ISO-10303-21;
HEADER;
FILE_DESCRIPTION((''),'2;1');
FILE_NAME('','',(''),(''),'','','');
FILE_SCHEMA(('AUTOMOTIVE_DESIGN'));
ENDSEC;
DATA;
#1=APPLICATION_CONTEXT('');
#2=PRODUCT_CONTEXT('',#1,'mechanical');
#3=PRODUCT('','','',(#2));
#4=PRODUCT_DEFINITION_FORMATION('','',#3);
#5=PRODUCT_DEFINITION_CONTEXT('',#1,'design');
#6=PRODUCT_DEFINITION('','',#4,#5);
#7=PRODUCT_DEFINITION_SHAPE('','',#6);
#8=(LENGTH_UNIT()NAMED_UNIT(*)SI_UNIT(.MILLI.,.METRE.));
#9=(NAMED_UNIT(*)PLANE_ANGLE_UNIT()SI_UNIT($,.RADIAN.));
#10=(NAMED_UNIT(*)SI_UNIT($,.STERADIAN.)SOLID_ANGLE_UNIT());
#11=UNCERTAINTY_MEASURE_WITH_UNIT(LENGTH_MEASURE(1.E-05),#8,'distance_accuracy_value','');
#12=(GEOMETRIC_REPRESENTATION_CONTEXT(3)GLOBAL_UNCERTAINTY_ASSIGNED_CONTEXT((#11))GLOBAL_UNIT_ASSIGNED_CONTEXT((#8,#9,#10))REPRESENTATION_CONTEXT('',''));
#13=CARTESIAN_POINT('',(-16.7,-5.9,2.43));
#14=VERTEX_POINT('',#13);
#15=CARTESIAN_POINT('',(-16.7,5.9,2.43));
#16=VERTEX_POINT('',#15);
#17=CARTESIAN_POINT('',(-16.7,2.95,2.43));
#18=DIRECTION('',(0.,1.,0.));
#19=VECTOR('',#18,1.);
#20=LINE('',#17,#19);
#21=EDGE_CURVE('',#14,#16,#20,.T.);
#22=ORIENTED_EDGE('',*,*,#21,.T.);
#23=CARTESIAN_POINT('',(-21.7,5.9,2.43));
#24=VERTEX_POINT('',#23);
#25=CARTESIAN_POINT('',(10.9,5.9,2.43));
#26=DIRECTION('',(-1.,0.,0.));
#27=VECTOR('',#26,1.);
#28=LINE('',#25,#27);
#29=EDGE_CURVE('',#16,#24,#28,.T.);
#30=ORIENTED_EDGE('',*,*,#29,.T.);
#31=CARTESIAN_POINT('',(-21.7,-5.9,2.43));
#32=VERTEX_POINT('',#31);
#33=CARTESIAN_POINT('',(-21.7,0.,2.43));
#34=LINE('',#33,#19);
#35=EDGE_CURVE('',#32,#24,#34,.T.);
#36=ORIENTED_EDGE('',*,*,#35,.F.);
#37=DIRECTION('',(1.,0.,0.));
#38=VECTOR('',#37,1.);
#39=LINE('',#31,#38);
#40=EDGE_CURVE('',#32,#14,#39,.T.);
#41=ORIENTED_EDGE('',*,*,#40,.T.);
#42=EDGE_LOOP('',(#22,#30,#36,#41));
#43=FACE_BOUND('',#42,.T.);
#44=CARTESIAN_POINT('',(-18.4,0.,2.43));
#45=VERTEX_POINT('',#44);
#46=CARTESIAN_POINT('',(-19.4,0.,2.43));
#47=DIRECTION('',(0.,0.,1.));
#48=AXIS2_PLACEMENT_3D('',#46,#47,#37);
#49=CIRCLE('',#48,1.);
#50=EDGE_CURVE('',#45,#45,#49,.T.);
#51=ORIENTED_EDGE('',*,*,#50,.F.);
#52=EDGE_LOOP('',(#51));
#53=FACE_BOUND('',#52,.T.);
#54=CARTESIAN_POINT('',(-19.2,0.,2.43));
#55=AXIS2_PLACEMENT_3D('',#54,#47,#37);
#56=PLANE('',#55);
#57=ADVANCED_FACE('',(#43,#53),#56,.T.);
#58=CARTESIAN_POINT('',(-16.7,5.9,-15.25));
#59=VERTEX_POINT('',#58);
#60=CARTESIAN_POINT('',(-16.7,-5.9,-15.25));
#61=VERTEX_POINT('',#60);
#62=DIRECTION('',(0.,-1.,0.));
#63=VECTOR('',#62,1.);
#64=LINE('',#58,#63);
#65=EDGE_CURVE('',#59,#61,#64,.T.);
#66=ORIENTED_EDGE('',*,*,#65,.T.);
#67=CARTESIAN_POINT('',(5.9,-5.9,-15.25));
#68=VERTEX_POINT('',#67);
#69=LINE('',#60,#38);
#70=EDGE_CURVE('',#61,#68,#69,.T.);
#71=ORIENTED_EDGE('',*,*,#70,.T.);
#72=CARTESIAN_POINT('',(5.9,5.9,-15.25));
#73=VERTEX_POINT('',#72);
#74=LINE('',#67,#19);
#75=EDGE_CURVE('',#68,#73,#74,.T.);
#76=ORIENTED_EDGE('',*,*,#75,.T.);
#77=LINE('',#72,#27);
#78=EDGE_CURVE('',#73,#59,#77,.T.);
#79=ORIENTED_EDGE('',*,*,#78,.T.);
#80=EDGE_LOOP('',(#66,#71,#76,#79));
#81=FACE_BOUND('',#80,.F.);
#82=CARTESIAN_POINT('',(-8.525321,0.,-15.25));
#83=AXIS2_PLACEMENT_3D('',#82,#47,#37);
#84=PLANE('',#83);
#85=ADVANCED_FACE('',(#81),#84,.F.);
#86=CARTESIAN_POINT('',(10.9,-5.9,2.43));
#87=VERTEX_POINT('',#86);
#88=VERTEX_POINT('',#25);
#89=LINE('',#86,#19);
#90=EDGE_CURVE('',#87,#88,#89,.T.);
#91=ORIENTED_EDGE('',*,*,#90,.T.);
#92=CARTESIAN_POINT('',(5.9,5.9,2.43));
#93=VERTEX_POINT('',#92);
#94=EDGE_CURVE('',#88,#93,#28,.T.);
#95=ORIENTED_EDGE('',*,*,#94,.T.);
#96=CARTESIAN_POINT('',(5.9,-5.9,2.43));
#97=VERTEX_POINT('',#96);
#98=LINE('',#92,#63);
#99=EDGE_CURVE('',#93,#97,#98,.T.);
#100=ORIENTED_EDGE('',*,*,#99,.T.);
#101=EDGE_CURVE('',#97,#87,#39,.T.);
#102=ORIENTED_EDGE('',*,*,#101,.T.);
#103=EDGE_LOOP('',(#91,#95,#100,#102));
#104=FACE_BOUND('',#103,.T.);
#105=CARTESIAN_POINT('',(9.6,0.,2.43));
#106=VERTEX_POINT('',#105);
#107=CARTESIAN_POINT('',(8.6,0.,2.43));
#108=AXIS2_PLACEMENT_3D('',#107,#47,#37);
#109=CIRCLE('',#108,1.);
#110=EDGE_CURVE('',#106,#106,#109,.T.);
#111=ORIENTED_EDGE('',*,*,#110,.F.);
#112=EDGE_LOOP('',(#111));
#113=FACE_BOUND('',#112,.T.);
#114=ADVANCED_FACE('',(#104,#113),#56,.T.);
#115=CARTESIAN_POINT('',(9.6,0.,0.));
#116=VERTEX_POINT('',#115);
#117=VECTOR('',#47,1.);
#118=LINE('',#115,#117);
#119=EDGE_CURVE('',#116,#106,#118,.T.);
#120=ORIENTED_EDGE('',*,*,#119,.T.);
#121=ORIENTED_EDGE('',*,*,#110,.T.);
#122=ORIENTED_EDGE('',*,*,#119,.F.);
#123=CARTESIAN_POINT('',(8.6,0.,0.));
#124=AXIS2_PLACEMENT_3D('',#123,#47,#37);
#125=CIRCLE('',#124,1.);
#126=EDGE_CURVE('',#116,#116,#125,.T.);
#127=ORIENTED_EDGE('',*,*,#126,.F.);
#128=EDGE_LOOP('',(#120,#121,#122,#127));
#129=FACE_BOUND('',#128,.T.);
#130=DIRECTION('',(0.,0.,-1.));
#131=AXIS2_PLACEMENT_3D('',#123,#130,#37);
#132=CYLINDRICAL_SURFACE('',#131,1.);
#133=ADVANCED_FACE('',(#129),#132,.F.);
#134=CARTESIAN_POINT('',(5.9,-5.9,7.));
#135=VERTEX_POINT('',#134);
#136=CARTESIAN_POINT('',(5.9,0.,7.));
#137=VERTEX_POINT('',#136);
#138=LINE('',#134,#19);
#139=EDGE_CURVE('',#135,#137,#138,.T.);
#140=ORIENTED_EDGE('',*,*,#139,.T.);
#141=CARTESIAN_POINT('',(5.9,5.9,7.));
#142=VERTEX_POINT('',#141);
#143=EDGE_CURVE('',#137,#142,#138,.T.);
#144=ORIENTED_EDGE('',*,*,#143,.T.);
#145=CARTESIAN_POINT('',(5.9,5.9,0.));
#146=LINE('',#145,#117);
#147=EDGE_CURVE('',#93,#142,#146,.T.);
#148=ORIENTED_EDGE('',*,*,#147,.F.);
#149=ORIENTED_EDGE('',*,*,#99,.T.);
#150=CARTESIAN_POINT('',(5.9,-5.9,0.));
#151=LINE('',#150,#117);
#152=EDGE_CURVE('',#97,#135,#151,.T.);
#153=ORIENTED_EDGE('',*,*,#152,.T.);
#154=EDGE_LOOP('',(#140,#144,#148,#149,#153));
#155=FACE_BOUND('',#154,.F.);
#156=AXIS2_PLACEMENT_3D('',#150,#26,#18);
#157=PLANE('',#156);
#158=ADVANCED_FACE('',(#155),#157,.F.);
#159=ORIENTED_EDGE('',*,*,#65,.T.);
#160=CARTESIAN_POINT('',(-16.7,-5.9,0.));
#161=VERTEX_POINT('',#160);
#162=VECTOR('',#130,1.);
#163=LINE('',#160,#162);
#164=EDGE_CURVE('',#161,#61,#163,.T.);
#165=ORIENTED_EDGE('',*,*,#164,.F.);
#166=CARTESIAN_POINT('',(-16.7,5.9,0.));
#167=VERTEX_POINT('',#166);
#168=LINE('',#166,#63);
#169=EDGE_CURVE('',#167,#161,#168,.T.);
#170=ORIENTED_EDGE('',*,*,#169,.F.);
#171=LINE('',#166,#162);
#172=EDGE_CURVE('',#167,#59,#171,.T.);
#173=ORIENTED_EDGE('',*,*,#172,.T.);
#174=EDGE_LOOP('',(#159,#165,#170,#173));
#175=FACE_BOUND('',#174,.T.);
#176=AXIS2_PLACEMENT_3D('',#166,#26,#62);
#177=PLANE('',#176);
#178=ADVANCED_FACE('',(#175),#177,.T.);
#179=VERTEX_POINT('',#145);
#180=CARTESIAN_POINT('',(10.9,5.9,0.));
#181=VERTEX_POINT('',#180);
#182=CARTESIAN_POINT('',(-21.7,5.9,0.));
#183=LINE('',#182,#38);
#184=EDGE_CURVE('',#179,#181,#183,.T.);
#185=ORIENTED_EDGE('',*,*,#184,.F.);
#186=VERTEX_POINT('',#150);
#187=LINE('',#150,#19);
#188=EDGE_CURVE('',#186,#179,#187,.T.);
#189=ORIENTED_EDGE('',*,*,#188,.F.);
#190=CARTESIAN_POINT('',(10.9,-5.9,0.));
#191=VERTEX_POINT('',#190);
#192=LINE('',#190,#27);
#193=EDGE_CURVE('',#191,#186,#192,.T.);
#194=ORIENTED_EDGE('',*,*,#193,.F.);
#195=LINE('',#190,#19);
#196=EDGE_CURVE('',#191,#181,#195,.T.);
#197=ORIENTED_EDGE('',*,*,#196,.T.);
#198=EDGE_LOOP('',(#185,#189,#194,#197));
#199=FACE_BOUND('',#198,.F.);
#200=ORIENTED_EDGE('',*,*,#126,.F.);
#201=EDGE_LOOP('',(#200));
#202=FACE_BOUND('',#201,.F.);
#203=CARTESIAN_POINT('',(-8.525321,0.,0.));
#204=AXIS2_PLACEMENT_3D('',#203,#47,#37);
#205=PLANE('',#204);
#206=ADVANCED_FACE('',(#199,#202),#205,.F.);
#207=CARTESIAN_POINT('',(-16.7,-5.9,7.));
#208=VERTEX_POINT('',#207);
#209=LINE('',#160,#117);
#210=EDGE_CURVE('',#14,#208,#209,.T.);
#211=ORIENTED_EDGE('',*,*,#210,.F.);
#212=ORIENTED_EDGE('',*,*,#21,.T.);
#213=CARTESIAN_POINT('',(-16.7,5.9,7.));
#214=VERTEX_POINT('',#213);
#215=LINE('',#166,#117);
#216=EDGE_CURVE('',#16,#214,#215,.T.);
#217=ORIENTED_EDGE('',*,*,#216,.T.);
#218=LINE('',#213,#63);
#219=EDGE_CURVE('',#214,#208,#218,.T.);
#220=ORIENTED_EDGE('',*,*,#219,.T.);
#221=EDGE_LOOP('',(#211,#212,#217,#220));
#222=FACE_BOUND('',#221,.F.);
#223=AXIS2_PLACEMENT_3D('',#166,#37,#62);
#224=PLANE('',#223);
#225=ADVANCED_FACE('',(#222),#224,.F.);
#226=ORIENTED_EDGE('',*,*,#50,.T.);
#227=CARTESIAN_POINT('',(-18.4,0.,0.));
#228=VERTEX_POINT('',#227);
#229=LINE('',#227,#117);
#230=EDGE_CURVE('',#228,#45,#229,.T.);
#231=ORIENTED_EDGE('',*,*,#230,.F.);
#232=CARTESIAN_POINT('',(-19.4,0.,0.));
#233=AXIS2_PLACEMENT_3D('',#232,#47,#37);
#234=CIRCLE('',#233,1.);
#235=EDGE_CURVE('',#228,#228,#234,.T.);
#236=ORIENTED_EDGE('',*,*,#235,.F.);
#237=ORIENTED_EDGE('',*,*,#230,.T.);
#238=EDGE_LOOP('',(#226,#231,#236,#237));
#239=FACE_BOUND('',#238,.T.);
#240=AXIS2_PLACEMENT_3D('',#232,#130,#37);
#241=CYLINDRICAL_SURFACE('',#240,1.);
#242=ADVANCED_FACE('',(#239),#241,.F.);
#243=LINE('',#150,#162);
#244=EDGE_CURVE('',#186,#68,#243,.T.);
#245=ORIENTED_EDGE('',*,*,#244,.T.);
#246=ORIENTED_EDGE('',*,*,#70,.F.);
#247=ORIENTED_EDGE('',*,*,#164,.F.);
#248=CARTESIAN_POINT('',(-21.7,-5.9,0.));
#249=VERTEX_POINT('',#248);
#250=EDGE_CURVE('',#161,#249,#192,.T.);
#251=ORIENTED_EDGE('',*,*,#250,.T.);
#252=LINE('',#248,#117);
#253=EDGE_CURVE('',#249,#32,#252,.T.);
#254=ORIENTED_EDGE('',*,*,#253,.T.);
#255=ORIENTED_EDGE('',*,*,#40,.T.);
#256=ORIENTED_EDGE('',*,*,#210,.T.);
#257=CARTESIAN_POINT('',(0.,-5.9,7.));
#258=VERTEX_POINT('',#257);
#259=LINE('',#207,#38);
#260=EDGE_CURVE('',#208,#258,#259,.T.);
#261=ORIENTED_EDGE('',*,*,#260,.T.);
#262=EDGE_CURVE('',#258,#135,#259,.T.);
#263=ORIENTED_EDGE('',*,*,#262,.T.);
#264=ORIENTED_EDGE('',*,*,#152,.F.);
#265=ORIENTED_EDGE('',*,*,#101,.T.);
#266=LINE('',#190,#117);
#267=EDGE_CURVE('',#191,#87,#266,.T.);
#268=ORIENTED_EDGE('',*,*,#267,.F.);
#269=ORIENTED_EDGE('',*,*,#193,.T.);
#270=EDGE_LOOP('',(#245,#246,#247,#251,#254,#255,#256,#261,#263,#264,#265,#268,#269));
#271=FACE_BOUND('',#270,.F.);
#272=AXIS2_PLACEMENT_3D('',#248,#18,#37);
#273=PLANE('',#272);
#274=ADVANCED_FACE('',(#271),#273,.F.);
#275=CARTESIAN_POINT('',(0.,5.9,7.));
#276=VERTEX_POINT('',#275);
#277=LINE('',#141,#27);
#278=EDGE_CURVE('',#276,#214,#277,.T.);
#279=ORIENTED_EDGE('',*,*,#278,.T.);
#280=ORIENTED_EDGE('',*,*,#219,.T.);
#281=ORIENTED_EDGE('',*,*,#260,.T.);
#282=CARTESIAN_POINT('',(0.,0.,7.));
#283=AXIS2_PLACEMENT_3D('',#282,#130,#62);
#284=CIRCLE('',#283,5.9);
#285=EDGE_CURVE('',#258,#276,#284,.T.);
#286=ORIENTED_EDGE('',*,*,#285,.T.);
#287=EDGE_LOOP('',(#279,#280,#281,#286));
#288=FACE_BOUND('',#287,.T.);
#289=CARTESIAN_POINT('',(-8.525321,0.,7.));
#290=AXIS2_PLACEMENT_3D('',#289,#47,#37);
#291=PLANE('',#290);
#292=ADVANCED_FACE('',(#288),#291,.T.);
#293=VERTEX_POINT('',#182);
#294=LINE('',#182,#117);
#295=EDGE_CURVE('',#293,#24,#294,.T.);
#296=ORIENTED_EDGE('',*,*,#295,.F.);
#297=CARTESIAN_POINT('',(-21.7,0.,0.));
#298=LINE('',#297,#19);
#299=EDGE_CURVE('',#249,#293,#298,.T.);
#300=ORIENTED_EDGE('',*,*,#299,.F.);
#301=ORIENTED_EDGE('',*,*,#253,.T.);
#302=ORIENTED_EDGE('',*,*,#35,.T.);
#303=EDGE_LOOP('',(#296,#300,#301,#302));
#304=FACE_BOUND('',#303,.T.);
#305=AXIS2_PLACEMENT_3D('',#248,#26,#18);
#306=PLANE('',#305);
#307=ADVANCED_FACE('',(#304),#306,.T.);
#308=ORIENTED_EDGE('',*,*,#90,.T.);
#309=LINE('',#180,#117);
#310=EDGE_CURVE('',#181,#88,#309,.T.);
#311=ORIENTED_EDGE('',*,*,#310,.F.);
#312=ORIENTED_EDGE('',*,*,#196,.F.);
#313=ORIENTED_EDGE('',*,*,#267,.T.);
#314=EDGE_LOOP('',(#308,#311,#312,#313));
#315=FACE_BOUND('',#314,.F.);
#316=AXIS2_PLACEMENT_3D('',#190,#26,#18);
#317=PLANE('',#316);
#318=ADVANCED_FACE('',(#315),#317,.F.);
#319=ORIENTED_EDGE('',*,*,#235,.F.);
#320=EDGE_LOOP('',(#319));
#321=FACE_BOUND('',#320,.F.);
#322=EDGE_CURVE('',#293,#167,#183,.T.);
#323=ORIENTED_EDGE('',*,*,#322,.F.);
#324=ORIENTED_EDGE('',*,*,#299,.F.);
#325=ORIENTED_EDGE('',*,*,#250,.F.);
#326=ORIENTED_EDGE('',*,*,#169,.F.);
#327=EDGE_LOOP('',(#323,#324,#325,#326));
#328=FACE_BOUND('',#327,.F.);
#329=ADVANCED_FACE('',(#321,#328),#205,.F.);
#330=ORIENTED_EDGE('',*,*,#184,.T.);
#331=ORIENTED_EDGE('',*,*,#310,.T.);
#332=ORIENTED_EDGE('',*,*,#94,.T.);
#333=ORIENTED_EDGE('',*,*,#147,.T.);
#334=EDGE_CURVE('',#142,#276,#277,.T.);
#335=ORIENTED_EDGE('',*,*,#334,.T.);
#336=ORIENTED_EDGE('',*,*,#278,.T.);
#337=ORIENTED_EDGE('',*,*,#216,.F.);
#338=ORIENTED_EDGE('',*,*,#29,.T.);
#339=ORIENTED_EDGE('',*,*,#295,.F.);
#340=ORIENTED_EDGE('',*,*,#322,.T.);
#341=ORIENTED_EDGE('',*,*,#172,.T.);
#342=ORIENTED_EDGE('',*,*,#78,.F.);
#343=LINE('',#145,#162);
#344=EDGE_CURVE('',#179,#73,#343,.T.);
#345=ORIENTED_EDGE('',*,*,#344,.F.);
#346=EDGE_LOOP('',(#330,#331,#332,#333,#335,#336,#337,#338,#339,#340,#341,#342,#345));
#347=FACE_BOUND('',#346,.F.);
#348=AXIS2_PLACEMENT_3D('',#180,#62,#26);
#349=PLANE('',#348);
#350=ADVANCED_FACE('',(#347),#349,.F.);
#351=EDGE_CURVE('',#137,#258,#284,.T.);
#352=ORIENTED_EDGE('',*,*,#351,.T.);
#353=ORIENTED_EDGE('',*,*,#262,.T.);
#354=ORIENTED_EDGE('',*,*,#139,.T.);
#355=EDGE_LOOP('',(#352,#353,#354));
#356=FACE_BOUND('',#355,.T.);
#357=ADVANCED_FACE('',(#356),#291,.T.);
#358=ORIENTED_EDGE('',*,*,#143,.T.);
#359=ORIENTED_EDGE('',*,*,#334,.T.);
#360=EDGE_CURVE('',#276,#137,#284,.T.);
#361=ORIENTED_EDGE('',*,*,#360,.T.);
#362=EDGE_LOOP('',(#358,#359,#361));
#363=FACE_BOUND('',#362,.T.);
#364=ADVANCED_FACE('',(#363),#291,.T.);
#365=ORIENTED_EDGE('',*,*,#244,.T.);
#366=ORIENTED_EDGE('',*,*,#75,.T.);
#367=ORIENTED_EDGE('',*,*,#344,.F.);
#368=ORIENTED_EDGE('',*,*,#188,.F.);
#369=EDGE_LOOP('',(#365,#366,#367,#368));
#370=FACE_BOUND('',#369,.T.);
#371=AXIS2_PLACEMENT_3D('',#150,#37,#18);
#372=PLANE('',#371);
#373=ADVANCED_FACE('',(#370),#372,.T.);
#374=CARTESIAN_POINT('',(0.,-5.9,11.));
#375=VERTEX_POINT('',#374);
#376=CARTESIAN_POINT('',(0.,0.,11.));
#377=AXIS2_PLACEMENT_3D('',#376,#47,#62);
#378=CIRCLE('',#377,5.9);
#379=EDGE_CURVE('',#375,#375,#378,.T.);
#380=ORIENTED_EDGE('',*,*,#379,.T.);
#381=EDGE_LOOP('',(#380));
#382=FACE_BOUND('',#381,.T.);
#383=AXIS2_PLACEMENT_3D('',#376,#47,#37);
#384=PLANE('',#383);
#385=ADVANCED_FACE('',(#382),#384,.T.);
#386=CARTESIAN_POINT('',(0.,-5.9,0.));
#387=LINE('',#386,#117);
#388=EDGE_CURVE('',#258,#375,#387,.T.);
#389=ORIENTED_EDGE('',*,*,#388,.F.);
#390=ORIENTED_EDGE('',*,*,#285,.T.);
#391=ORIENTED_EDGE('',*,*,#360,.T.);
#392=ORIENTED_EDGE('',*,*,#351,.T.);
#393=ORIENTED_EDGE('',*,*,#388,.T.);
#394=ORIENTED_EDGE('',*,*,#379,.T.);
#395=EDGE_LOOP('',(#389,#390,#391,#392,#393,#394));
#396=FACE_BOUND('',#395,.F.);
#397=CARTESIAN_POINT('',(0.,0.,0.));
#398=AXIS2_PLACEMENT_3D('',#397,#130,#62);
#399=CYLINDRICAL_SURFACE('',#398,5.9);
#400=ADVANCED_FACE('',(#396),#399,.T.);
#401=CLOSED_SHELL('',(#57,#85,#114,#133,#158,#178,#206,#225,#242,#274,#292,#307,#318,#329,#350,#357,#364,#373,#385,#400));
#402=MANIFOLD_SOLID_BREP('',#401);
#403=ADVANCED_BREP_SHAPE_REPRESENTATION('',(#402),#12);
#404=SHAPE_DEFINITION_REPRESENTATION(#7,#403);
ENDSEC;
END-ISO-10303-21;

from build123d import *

# Parameters (mm, degrees)
F0_W     = 5
F0_H     = 11.8
F0_R     = 1
F1_DEPTH = 2.43
F2_DEPTH = 7
F3_DEPTH = 11
F4_DEPTH = 15.25


with BuildPart() as f1:
    # F0 (on Top) → F1 (new body)
    with BuildSketch(Plane.XY):
        with Locations((-19.2, 0)):
            Rectangle(F0_W, F0_H)
        with Locations((-19.4, 0)):
            Circle(F0_R, mode=Mode.SUBTRACT)
        with BuildLine():
            Line((6e-09, 5.9), (-16.7, 5.9))
            Line((-16.7, 5.9), (-16.7, -5.9))
            Line((-16.7, -5.9), (1.1e-09, -5.9))
            ThreePointArc((1.1e-09, -5.9), (-5.9, 2.4e-09), (6e-09, 5.9))
        make_face()
        with BuildLine():
            ThreePointArc((5.9, 0), (4.1719300111, 4.1719300069), (6e-09, 5.9))
            ThreePointArc((6e-09, 5.9), (-5.9, 2.4e-09), (1.1e-09, -5.9))
            ThreePointArc((1.1e-09, -5.9), (4.1719300094, -4.1719300086), (5.9, 0))
        make_face()
        with BuildLine():
            Line((5.9, 5.9), (6e-09, 5.9))
            ThreePointArc((6e-09, 5.9), (4.1719300111, 4.1719300069), (5.9, 0))
            Line((5.9, 0), (5.9, 5.9))
        make_face()
        with BuildLine():
            Line((5.9, -5.9), (5.9, 0))
            ThreePointArc((5.9, 0), (4.1719300094, -4.1719300086), (1.1e-09, -5.9))
            Line((1.1e-09, -5.9), (5.9, -5.9))
        make_face()
        Polygon((10.9, 5.9), (5.9, 5.9), (5.9, 0), (5.9, -5.9), (10.9, -5.9), align=None)
        with Locations((8.6, 0)):
            Circle(F0_R, mode=Mode.SUBTRACT)
    extrude(amount=F1_DEPTH)

    # F0 (on Top) → F2 (join)
    with BuildSketch(Plane.XY):
        with BuildLine():
            Line((6e-09, 5.9), (-16.7, 5.9))
            Line((-16.7, 5.9), (-16.7, -5.9))
            Line((-16.7, -5.9), (1.1e-09, -5.9))
            ThreePointArc((1.1e-09, -5.9), (-5.9, 2.4e-09), (6e-09, 5.9))
        make_face()
        with BuildLine():
            ThreePointArc((5.9, 0), (4.1719300111, 4.1719300069), (6e-09, 5.9))
            ThreePointArc((6e-09, 5.9), (-5.9, 2.4e-09), (1.1e-09, -5.9))
            ThreePointArc((1.1e-09, -5.9), (4.1719300094, -4.1719300086), (5.9, 0))
        make_face()
        with BuildLine():
            Line((5.9, -5.9), (5.9, 0))
            ThreePointArc((5.9, 0), (4.1719300094, -4.1719300086), (1.1e-09, -5.9))
            Line((1.1e-09, -5.9), (5.9, -5.9))
        make_face()
        with BuildLine():
            Line((5.9, 5.9), (6e-09, 5.9))
            ThreePointArc((6e-09, 5.9), (4.1719300111, 4.1719300069), (5.9, 0))
            Line((5.9, 0), (5.9, 5.9))
        make_face()
    extrude(amount=F2_DEPTH)

    # F0 (on Top) → F3 (join)
    with BuildSketch(Plane.XY):
        with BuildLine():
            ThreePointArc((5.9, 0), (4.1719300111, 4.1719300069), (6e-09, 5.9))
            ThreePointArc((6e-09, 5.9), (-5.9, 2.4e-09), (1.1e-09, -5.9))
            ThreePointArc((1.1e-09, -5.9), (4.1719300094, -4.1719300086), (5.9, 0))
        make_face()
    extrude(amount=F3_DEPTH)

    # F0 (on Top) → F4 (join)
    with BuildSketch(Plane.XY):
        with BuildLine():
            Line((6e-09, 5.9), (-16.7, 5.9))
            Line((-16.7, 5.9), (-16.7, -5.9))
            Line((-16.7, -5.9), (1.1e-09, -5.9))
            ThreePointArc((1.1e-09, -5.9), (-5.9, 2.4e-09), (6e-09, 5.9))
        make_face()
        with BuildLine():
            ThreePointArc((5.9, 0), (4.1719300111, 4.1719300069), (6e-09, 5.9))
            ThreePointArc((6e-09, 5.9), (-5.9, 2.4e-09), (1.1e-09, -5.9))
            ThreePointArc((1.1e-09, -5.9), (4.1719300094, -4.1719300086), (5.9, 0))
        make_face()
        with BuildLine():
            Line((5.9, -5.9), (5.9, 0))
            ThreePointArc((5.9, 0), (4.1719300094, -4.1719300086), (1.1e-09, -5.9))
            Line((1.1e-09, -5.9), (5.9, -5.9))
        make_face()
        with BuildLine():
            Line((5.9, 5.9), (6e-09, 5.9))
            ThreePointArc((6e-09, 5.9), (4.1719300111, 4.1719300069), (5.9, 0))
            Line((5.9, 0), (5.9, 5.9))
        make_face()
    extrude(amount=-F4_DEPTH)


solid = f1.part
